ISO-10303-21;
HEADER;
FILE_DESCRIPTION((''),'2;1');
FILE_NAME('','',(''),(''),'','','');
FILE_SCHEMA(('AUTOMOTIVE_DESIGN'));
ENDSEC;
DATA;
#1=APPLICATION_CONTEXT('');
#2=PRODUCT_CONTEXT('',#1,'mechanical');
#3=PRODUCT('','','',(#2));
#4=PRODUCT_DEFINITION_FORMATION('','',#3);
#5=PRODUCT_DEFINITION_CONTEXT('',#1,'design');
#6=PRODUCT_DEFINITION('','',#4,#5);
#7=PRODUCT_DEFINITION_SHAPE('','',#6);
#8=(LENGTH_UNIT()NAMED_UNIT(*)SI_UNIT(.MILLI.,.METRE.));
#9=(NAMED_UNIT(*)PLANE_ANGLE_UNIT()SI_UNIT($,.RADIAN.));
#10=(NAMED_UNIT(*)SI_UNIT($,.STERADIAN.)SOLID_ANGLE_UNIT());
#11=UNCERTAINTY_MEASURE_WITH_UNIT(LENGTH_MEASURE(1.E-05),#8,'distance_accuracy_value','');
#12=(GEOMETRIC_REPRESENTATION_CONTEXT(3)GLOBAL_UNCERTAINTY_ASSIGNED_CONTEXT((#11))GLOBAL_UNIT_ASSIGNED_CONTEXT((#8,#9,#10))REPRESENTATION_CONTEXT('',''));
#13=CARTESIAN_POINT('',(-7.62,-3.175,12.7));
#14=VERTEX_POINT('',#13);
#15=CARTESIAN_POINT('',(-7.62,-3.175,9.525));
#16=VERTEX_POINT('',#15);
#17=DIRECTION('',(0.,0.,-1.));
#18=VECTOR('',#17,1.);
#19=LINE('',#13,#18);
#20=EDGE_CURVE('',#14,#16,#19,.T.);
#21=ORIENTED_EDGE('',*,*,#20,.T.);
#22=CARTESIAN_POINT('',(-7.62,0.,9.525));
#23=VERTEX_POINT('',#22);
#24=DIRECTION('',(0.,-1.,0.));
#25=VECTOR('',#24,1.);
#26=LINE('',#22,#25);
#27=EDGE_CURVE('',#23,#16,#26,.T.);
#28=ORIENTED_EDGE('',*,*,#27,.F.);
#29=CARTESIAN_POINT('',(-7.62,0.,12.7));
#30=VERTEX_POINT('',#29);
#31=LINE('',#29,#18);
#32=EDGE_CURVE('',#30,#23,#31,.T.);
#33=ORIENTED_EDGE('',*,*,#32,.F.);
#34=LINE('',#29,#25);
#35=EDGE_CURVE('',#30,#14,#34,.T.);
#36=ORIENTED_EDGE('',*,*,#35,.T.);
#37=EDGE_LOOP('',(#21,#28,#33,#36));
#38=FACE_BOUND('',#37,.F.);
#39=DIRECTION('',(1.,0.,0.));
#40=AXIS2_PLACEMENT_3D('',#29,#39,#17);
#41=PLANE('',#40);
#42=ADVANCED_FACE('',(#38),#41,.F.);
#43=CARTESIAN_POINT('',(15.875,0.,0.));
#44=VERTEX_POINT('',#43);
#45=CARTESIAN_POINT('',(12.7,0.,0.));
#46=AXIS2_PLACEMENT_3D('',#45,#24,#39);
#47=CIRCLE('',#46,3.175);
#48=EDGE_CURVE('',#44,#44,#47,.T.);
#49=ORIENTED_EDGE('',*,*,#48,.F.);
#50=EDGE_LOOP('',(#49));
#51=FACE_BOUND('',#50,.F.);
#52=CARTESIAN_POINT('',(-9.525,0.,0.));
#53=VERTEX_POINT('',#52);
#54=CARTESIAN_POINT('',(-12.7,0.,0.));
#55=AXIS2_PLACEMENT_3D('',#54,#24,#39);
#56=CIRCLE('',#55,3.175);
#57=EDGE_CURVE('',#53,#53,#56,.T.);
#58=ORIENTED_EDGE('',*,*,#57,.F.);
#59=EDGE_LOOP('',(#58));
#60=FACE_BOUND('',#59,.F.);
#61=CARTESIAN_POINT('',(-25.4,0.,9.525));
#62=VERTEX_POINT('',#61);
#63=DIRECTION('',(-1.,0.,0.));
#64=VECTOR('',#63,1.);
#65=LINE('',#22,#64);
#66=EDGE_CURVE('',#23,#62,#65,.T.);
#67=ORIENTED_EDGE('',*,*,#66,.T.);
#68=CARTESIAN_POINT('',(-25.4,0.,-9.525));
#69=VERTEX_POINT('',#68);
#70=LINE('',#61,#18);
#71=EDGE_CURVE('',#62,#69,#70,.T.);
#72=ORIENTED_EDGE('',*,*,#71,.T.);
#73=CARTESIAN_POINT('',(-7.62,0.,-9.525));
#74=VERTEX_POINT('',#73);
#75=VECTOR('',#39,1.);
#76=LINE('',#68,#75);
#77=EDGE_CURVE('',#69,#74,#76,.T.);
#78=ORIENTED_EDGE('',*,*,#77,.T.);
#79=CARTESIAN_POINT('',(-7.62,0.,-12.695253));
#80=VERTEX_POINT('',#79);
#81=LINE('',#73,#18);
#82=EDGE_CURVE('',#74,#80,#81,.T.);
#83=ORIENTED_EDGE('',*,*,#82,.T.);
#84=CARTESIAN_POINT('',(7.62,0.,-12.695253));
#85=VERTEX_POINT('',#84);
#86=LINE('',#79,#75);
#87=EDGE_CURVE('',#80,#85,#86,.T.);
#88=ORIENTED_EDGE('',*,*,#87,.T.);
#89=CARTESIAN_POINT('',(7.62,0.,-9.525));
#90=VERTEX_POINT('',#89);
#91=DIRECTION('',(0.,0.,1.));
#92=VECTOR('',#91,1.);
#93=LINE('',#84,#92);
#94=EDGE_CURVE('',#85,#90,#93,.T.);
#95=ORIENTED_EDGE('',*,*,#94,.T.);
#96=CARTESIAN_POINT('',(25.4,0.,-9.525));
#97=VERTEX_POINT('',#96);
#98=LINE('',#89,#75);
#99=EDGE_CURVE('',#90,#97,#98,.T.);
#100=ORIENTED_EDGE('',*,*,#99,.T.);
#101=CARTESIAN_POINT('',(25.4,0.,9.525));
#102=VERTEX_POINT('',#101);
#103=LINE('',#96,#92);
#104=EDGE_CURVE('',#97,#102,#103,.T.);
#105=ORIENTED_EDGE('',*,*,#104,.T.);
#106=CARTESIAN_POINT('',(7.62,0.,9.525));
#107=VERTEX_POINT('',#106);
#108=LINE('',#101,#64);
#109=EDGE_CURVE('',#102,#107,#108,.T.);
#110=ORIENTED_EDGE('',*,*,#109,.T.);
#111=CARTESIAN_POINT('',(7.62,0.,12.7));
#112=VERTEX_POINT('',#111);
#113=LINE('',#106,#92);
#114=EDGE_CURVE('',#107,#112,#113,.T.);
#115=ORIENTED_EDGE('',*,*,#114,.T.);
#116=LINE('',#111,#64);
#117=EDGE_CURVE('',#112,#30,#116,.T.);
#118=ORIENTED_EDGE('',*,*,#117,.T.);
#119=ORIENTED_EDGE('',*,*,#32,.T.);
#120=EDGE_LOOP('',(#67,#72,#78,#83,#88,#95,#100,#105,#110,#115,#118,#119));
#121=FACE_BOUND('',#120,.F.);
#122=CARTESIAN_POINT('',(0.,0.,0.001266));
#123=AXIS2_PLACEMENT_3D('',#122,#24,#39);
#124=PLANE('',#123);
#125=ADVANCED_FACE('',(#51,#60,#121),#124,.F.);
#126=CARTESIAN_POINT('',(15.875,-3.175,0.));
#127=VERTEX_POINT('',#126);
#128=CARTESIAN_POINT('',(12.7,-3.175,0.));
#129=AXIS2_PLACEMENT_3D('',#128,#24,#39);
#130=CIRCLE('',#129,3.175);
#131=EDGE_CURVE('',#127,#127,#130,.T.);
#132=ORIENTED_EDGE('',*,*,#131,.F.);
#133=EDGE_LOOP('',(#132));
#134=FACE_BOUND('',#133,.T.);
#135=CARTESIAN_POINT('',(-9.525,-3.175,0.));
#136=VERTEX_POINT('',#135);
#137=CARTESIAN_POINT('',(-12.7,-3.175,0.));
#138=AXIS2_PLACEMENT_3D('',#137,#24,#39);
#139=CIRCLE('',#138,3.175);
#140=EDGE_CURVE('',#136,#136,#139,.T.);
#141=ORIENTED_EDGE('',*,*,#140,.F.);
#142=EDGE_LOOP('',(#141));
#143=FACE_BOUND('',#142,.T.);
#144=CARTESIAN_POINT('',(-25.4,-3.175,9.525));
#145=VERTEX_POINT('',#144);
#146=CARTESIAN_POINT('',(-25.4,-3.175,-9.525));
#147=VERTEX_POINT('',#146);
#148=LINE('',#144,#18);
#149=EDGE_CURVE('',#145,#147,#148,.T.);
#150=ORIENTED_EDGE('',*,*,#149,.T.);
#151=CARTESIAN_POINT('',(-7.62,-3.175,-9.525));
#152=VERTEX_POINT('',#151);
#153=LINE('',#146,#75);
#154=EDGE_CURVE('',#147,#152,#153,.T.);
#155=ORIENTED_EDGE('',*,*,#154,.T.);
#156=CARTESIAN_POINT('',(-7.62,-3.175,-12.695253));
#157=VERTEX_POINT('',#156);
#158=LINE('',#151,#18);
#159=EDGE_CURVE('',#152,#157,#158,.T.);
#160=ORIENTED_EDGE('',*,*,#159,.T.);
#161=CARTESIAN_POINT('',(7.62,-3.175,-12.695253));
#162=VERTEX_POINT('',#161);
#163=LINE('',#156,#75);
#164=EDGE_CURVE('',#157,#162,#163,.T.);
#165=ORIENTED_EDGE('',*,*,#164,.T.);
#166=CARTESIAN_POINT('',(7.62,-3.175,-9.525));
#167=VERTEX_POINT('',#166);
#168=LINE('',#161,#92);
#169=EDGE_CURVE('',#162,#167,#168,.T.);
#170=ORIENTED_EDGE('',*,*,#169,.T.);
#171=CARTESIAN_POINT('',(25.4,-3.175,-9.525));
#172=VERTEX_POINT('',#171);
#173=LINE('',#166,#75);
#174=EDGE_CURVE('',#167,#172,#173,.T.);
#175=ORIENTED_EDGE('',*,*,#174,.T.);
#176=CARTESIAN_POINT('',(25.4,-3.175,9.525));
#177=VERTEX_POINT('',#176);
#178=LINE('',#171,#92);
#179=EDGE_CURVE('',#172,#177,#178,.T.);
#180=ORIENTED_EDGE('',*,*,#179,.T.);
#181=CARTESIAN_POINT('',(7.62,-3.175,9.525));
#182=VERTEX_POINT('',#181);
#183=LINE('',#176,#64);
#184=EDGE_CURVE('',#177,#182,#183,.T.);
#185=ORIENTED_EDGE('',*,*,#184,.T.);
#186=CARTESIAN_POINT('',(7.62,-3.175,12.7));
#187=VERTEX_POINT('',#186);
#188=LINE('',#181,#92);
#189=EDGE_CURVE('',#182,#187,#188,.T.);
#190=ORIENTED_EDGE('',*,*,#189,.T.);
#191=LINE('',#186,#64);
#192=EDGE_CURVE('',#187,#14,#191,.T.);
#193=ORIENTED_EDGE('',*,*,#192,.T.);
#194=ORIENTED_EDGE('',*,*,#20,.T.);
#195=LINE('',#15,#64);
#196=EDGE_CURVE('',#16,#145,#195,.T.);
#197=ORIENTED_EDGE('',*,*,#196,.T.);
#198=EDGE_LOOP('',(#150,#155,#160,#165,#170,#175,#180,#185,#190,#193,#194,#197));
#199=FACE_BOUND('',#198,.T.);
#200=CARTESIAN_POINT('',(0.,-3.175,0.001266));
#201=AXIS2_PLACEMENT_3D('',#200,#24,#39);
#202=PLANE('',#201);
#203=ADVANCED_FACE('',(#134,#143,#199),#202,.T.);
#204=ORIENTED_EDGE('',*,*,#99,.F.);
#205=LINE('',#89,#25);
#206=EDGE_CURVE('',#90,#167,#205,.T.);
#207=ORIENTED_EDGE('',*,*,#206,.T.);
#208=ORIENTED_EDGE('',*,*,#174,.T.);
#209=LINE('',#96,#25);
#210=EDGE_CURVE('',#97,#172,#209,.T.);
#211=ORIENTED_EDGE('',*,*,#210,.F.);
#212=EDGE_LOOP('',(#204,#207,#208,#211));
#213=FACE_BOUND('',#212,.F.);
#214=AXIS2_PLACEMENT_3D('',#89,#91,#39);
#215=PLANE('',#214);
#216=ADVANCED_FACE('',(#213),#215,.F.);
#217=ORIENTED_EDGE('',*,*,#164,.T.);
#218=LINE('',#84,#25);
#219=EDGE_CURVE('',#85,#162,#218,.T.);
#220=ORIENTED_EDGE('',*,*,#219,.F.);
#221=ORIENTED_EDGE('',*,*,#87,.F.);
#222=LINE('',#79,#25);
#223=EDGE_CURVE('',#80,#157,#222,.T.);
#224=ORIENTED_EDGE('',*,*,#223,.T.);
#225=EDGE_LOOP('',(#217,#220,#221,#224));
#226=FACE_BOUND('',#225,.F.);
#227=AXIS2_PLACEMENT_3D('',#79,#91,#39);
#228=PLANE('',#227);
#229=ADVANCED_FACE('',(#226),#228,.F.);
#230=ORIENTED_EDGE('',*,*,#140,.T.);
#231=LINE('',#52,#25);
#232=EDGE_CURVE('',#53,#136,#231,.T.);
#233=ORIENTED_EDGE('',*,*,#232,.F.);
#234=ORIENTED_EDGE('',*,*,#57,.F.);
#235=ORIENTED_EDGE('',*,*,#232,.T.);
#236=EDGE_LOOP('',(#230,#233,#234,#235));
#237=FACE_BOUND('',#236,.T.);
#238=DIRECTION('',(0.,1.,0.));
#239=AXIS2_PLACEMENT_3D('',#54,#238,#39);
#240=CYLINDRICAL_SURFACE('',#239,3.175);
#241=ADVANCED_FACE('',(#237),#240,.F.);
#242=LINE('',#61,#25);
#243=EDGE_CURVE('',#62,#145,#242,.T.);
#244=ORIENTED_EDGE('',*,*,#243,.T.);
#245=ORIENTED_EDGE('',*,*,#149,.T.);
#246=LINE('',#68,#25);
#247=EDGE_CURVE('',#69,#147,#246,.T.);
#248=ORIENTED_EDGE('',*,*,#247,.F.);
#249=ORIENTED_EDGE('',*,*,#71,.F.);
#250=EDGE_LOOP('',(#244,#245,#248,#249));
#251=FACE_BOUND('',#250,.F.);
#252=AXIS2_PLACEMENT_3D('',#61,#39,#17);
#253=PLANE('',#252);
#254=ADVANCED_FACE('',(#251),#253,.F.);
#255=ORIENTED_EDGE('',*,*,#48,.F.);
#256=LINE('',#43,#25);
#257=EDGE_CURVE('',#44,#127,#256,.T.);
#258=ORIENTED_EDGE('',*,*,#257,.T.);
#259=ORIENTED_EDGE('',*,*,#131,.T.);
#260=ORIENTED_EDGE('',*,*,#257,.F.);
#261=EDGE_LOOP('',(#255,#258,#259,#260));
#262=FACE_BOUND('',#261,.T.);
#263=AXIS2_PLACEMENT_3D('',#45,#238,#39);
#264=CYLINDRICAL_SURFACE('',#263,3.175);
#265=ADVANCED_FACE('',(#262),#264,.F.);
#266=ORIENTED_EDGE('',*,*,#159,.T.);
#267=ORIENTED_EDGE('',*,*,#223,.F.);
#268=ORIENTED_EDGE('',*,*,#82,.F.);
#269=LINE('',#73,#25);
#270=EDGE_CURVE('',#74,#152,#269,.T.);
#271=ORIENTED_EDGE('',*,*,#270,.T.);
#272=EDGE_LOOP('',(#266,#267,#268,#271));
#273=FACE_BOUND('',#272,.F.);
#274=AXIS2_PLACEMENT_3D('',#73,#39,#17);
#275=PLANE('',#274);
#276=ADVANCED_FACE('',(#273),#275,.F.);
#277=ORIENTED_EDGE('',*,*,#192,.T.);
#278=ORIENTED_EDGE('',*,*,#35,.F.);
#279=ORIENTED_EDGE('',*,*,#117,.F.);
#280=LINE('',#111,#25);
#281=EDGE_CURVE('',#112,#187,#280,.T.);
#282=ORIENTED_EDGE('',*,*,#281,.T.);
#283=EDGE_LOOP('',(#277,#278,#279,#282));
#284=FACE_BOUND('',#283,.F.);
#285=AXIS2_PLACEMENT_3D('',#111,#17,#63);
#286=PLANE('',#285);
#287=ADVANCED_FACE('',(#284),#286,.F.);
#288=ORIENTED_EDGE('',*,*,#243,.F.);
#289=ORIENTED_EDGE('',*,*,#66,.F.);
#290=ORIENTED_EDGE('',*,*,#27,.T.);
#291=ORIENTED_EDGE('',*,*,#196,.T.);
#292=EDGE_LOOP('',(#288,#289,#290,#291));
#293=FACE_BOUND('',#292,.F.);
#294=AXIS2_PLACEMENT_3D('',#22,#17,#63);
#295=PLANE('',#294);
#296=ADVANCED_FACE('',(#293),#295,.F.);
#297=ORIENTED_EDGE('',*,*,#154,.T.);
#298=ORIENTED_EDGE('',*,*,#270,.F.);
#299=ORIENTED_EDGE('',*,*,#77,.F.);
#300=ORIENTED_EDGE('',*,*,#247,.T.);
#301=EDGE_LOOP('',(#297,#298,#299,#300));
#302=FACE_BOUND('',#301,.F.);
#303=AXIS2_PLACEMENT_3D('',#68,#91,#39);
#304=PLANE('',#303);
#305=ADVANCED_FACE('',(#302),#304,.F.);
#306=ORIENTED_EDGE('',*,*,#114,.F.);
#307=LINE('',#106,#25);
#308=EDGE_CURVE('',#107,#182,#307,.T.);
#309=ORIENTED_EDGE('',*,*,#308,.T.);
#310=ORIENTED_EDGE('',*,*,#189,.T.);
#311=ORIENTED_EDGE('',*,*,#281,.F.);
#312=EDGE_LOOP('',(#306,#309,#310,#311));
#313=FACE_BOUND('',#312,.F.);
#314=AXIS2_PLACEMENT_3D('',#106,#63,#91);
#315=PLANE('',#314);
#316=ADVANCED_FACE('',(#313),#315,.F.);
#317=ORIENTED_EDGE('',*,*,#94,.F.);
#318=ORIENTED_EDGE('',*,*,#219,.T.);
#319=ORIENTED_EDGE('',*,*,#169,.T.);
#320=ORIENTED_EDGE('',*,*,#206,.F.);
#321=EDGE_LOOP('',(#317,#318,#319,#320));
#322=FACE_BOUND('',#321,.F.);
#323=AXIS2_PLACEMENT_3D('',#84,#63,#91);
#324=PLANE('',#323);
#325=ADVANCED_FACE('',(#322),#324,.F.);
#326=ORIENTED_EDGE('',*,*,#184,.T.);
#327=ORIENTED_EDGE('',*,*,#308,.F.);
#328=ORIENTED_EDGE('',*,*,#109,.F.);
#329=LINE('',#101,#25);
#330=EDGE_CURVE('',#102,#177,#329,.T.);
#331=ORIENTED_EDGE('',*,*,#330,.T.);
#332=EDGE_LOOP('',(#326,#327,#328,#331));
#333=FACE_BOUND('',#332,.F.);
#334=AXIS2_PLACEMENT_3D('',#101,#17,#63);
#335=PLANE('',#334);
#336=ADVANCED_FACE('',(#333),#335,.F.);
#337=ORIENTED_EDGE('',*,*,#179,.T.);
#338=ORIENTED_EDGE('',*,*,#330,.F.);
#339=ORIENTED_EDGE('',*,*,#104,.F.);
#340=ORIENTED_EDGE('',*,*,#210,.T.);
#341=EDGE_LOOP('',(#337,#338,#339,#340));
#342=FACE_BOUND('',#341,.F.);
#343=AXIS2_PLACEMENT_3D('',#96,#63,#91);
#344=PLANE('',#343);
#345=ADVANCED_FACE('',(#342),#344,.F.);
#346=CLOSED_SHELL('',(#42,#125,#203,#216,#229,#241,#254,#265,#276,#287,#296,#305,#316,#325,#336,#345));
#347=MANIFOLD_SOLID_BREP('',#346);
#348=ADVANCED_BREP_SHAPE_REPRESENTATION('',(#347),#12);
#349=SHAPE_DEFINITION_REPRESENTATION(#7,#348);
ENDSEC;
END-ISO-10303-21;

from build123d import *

# Parameters (mm, degrees)
F0_R     = 3.175
F1_DEPTH = 3.175


with BuildPart() as f1:
    # F0 (on Front) → F1 (new body)
    with BuildSketch(Plane.XZ):
        Polygon((-7.62, -12.695253), (7.62, -12.695253), (7.62, -9.525), (25.4, -9.525), (25.4, -6.35), (25.4, 6.357342), (25.4, 9.525), (7.62, 9.525), (7.62, 12.7), (-7.62, 12.7), (-7.62, 9.525), (-25.4, 9.525), (-25.4, 6.355764), (-25.4, -6.35), (-25.4, -9.525), (-7.62, -9.525), align=None)
        with Locations((-12.7, 0)):
            Circle(F0_R, mode=Mode.SUBTRACT)
        with Locations((12.7, 0)):
            Circle(F0_R, mode=Mode.SUBTRACT)
    extrude(amount=F1_DEPTH)


solid = f1.part
